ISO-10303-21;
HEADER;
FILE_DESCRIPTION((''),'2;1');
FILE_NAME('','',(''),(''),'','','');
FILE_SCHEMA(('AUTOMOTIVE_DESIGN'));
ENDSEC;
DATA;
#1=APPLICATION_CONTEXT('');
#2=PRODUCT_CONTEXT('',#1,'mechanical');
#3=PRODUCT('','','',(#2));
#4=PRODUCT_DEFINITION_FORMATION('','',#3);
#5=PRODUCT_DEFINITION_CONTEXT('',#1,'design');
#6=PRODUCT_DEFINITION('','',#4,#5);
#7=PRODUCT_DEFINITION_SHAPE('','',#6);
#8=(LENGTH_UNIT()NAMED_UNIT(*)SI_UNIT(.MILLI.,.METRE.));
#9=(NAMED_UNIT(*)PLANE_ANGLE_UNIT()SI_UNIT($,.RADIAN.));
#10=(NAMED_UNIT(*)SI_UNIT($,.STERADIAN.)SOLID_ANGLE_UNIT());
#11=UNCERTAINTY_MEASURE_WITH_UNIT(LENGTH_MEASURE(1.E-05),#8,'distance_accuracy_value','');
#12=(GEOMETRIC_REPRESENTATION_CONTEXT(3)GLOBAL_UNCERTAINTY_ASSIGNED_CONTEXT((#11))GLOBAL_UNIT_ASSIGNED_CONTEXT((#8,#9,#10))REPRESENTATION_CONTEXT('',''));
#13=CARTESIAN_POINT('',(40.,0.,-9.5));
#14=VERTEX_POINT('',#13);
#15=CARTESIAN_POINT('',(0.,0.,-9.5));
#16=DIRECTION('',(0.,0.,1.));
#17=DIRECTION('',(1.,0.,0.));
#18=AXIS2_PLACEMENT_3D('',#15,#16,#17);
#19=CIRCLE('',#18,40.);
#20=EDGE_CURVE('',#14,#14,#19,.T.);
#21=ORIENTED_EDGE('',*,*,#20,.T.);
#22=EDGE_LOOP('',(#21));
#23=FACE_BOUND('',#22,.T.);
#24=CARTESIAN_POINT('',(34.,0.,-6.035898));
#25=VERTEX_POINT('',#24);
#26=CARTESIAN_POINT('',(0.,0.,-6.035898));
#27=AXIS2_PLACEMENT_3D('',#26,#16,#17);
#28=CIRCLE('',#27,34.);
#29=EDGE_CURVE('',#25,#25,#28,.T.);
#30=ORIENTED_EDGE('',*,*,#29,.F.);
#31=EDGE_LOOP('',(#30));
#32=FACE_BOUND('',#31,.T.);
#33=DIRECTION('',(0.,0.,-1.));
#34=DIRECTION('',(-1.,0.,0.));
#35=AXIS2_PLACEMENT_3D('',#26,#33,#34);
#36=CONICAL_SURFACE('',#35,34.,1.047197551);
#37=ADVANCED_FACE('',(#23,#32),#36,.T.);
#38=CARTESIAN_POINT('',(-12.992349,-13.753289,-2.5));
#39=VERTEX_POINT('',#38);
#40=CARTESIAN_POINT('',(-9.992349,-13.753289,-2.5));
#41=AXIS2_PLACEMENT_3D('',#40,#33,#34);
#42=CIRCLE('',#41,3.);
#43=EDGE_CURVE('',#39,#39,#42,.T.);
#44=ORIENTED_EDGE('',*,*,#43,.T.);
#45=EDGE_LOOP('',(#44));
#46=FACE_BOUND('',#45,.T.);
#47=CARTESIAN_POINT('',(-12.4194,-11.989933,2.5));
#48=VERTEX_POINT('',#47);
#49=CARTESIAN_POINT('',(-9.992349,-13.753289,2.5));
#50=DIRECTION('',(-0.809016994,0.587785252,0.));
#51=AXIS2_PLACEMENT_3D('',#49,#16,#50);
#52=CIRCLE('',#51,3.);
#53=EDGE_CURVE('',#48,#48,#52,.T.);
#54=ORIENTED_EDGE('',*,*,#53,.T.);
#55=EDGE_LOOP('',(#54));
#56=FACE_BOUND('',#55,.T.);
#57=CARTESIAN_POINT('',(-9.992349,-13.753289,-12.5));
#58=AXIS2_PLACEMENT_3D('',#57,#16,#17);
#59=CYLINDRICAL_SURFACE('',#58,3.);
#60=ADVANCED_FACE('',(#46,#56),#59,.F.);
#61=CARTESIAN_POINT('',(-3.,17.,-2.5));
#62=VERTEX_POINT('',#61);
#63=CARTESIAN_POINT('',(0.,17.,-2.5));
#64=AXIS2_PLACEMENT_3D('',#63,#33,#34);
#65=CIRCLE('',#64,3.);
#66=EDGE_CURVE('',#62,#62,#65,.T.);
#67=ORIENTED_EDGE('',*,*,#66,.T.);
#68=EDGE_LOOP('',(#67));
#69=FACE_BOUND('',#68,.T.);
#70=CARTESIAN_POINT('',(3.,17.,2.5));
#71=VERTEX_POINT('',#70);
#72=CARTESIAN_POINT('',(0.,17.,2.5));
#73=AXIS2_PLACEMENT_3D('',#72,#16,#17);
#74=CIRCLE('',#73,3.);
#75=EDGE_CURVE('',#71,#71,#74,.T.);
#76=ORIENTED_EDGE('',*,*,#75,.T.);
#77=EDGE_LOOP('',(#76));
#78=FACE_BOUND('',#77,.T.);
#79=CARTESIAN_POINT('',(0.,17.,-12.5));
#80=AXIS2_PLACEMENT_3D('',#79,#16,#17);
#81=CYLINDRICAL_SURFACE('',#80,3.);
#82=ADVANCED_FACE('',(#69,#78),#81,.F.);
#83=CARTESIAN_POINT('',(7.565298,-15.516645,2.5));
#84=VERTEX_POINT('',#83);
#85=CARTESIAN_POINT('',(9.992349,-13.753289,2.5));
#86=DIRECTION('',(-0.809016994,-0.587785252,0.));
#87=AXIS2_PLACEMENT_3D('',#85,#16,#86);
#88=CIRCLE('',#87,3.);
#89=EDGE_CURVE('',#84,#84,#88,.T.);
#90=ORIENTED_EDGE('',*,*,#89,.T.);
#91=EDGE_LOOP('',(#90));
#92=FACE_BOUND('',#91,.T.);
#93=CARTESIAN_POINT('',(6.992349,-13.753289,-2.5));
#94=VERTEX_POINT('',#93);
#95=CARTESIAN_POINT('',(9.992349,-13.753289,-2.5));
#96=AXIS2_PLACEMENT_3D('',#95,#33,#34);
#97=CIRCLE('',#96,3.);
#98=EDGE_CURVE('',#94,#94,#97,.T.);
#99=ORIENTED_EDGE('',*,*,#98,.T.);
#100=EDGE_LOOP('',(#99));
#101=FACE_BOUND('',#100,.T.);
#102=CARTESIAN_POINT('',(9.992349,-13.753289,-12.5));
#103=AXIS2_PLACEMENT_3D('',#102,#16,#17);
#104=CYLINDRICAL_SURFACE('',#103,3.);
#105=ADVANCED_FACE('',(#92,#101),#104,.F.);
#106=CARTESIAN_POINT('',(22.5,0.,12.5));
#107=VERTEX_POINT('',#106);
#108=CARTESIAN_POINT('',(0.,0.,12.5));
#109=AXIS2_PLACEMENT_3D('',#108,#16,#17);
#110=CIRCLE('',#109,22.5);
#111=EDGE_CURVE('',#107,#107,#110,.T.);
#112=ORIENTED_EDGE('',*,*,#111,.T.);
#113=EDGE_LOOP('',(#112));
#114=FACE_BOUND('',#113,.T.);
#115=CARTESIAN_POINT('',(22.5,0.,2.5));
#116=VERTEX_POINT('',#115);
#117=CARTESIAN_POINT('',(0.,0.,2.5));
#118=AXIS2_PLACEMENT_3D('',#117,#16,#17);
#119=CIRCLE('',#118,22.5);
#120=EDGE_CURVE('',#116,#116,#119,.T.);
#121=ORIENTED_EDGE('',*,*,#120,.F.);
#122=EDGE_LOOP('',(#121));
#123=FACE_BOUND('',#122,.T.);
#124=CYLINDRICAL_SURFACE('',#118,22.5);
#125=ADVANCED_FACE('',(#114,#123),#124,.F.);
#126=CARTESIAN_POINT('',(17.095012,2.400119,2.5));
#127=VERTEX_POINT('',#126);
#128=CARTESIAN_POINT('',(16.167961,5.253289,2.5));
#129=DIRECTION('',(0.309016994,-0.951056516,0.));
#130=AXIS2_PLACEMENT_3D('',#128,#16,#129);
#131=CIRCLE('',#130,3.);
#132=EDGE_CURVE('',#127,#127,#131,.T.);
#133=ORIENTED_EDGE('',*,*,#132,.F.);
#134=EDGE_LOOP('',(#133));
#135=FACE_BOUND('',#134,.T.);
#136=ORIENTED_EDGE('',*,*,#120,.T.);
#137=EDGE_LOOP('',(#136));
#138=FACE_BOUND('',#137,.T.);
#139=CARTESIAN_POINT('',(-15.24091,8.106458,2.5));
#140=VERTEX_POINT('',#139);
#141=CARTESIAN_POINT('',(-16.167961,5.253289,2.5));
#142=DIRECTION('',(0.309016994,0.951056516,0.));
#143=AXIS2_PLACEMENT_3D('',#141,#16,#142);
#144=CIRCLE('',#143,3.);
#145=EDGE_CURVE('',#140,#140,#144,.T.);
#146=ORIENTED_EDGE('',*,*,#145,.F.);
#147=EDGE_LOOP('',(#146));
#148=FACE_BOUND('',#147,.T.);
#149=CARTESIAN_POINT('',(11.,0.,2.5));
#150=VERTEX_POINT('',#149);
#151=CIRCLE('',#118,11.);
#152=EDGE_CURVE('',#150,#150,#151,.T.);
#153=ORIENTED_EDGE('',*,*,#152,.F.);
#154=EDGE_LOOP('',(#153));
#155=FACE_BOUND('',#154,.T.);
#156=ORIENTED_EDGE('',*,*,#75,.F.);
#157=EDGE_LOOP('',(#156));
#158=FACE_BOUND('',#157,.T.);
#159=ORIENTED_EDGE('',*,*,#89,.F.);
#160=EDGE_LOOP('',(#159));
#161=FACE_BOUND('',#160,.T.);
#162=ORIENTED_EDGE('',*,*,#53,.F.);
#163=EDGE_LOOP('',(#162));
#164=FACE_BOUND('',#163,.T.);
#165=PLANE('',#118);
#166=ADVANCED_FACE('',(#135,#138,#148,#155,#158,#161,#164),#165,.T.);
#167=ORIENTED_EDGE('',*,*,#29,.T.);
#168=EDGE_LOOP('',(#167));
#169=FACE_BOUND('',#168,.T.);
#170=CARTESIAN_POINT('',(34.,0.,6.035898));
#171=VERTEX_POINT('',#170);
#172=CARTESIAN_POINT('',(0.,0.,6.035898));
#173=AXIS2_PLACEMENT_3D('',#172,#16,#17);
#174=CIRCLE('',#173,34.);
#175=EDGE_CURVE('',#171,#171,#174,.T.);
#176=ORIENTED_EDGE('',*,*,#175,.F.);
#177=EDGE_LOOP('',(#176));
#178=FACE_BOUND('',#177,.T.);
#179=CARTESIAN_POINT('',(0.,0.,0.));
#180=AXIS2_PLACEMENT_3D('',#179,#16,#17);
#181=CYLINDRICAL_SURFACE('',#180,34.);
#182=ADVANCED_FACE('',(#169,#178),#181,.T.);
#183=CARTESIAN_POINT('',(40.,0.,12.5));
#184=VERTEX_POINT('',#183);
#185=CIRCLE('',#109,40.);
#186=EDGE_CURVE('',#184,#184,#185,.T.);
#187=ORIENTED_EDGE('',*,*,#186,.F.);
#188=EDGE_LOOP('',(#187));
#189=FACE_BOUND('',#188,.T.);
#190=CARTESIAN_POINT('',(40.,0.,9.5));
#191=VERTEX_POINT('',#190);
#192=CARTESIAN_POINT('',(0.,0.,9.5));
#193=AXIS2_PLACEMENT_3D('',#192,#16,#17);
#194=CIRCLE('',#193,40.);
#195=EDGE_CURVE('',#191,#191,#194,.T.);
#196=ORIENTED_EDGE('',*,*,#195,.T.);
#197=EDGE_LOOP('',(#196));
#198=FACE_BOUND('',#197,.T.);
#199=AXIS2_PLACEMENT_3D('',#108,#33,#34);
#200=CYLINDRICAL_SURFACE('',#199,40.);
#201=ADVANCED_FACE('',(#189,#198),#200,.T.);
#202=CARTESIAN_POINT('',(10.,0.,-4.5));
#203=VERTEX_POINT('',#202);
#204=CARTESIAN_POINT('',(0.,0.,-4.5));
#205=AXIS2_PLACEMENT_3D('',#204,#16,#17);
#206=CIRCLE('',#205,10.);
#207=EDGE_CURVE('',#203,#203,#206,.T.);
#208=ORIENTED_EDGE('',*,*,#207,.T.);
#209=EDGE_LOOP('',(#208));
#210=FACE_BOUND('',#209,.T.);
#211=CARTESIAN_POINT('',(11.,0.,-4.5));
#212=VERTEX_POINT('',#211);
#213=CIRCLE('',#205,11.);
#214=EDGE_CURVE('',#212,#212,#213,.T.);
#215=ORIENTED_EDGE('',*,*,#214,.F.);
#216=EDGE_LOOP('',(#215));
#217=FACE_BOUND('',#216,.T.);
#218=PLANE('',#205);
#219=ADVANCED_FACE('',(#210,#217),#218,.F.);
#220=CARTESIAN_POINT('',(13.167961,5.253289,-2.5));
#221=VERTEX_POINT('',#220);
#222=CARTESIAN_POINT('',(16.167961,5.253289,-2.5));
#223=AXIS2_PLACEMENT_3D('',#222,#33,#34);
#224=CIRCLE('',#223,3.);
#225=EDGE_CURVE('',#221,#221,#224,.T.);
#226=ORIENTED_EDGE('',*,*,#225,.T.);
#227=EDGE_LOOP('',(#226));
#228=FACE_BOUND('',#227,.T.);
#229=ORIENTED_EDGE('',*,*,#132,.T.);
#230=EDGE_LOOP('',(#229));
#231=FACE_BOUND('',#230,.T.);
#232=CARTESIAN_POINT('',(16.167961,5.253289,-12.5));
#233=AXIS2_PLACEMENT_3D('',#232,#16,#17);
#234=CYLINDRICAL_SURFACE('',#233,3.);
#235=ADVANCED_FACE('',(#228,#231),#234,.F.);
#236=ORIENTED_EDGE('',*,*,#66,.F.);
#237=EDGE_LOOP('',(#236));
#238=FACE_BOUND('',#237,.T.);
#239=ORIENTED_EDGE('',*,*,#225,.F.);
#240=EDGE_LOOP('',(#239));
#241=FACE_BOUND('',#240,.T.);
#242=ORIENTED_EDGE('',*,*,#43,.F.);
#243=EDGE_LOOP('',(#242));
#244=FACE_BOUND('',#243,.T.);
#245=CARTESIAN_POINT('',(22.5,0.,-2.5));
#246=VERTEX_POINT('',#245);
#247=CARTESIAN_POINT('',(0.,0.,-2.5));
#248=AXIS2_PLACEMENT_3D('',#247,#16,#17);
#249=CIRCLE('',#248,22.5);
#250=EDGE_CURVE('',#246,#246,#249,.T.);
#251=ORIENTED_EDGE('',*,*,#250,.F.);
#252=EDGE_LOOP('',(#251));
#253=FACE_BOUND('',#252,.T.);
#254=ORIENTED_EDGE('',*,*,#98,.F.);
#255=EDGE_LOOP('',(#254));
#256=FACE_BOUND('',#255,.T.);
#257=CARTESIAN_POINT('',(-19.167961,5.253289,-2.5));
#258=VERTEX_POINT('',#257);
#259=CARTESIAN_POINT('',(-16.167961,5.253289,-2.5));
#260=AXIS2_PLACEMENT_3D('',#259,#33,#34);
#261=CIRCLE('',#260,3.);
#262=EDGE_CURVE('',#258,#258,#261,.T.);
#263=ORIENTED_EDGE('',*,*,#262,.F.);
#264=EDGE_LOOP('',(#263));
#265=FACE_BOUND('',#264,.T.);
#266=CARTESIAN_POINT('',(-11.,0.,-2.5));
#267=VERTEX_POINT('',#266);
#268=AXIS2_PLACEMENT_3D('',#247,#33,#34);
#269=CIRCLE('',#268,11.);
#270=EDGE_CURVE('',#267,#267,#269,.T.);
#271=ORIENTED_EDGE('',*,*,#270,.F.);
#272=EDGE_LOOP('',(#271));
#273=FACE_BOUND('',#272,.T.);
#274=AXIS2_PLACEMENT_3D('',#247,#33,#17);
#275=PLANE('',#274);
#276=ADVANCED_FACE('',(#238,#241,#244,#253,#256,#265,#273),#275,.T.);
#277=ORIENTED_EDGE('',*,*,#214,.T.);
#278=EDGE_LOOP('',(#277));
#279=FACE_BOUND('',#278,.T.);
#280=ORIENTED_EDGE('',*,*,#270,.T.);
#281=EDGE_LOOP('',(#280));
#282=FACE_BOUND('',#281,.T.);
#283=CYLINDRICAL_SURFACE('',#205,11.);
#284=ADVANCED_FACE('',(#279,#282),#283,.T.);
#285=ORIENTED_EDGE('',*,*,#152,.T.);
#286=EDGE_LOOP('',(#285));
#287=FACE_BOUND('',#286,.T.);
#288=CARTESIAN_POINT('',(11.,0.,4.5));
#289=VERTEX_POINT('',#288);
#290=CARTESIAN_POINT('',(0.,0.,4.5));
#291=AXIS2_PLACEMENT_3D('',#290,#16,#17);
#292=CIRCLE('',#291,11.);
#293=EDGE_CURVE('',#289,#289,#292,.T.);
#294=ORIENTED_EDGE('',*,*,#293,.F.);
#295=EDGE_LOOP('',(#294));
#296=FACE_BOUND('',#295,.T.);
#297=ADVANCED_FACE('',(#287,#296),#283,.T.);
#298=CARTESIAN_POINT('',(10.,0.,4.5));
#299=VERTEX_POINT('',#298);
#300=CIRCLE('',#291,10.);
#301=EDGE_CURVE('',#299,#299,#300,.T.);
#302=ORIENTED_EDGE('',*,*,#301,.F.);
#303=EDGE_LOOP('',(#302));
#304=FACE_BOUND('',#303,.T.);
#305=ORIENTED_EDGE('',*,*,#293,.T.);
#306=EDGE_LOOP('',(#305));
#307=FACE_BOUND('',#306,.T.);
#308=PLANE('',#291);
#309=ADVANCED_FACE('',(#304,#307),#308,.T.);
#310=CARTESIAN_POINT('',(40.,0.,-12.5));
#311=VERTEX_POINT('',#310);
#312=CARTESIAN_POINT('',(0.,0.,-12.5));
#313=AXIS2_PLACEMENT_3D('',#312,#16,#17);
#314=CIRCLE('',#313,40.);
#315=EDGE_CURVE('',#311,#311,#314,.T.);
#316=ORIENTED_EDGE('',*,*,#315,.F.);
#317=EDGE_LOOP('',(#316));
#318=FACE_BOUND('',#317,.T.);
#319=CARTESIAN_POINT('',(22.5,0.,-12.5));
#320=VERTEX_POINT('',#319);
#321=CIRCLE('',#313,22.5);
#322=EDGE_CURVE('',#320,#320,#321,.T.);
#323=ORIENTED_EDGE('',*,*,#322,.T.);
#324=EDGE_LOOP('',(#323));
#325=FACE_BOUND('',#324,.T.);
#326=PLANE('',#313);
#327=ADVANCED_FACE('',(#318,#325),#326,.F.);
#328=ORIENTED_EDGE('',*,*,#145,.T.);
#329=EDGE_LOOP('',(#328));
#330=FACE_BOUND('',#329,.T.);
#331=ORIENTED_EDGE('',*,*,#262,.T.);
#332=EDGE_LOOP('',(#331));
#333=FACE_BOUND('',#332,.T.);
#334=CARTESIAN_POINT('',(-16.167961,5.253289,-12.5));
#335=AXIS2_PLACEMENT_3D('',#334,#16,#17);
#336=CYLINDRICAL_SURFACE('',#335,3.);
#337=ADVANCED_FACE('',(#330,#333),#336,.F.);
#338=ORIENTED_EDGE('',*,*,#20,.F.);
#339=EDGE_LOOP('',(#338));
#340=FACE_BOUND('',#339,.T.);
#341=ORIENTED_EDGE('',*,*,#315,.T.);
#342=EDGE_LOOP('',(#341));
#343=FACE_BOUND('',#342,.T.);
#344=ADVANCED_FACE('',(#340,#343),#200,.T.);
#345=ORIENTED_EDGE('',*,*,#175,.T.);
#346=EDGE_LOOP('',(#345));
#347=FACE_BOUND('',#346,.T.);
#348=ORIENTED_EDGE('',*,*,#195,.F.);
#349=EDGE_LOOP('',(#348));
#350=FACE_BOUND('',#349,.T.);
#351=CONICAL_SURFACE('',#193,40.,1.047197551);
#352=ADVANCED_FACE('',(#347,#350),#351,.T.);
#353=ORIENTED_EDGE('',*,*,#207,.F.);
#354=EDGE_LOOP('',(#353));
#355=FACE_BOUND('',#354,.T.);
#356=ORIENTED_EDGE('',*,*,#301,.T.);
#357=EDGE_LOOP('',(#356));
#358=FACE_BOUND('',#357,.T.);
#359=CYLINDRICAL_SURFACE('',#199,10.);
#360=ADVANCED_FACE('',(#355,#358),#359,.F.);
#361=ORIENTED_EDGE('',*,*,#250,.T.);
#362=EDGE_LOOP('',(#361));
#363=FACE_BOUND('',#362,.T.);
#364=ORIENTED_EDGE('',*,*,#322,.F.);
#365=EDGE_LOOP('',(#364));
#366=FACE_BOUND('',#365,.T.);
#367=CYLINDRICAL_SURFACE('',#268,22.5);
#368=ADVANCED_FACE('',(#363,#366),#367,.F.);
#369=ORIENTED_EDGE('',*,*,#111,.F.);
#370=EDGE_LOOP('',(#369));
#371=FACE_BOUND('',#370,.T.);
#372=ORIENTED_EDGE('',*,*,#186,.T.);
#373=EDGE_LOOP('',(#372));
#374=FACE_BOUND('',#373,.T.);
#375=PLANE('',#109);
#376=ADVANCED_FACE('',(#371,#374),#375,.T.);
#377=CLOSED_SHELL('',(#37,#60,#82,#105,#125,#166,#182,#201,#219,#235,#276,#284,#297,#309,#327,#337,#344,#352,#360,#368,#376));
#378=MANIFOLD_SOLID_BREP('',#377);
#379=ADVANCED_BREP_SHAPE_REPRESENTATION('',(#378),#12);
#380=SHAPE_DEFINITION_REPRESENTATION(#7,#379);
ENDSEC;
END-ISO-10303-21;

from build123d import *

# Parameters (mm, degrees)
SKETCH1_R                = 40
SKETCH1_R_2              = 10
BOSS_EXTRUDE1_DEPTH      = 12.5
SKETCH2_R                = 22.5
CUT_EXTRUDE1_DEPTH       = 10
SKETCH3_R                = 3
CUT_EXTRUDE2_DEPTH       = 16
CIRPATTERN1_COUNT        = 5
SKETCH4_R                = 11
SKETCH4_R_2              = 10
BOSS_EXTRUDE2_DEPTH      = 2
BOSS_EXTRUDE2_DEPTH_BACK = 7


with BuildPart() as part:
    # Sketch1 → Boss-Extrude1 (new body, symmetric)
    with BuildSketch(Plane.XY):
        Circle(SKETCH1_R)
        Circle(SKETCH1_R_2, mode=Mode.SUBTRACT)
    extrude(amount=BOSS_EXTRUDE1_DEPTH, both=True)

    # Sketch2 → Cut-Extrude1 (cut)
    with BuildSketch(Plane.XY.offset(12.5)):
        Circle(SKETCH2_R)
    cut_extrude1 = extrude(amount=-CUT_EXTRUDE1_DEPTH, mode=Mode.SUBTRACT)

    # Mirror1: Cut-Extrude1 across plane
    add(cut_extrude1.mirror(Plane.XY), mode=Mode.SUBTRACT)

    # Sketch3 → Cut-Extrude2 (cut, through all)
    with BuildSketch(Plane.XY.offset(2.5)):
        with Locations((0, 17)):
            Circle(SKETCH3_R)
    cut_extrude2 = extrude(amount=-CUT_EXTRUDE2_DEPTH, mode=Mode.SUBTRACT)

    # CirPattern1: Cut-Extrude2 ×5 about axis
    cirpattern1_axis = Axis((0, 0, 0), (0, 0, 1))
    for i in range(1, CIRPATTERN1_COUNT):
        add(cut_extrude2.rotate(cirpattern1_axis, i * 360 / CIRPATTERN1_COUNT), mode=Mode.SUBTRACT)

    # Sketch4 → Boss-Extrude2 (add, two sides)
    with BuildSketch(Plane.XY.offset(2.5)) as boss_extrude2_sk:
        Circle(SKETCH4_R)
        Circle(SKETCH4_R_2, mode=Mode.SUBTRACT)
    extrude(amount=BOSS_EXTRUDE2_DEPTH)
    extrude(boss_extrude2_sk.sketch, amount=-BOSS_EXTRUDE2_DEPTH_BACK)

    # Sketch5 → Cut-Revolve1 (revolve, cut)
    with BuildSketch(Plane(origin=(0, 0, 0), x_dir=(1, 0, 0), z_dir=(0, 1, 0))):
        Polygon((-40, 9.5), (-34, 6.035898385), (-34, -6.035898385), (-40, -9.5), align=None)
    revolve(axis=Axis((0, 0, 0), (0, 0, -1)), mode=Mode.SUBTRACT)


solid = part.part
